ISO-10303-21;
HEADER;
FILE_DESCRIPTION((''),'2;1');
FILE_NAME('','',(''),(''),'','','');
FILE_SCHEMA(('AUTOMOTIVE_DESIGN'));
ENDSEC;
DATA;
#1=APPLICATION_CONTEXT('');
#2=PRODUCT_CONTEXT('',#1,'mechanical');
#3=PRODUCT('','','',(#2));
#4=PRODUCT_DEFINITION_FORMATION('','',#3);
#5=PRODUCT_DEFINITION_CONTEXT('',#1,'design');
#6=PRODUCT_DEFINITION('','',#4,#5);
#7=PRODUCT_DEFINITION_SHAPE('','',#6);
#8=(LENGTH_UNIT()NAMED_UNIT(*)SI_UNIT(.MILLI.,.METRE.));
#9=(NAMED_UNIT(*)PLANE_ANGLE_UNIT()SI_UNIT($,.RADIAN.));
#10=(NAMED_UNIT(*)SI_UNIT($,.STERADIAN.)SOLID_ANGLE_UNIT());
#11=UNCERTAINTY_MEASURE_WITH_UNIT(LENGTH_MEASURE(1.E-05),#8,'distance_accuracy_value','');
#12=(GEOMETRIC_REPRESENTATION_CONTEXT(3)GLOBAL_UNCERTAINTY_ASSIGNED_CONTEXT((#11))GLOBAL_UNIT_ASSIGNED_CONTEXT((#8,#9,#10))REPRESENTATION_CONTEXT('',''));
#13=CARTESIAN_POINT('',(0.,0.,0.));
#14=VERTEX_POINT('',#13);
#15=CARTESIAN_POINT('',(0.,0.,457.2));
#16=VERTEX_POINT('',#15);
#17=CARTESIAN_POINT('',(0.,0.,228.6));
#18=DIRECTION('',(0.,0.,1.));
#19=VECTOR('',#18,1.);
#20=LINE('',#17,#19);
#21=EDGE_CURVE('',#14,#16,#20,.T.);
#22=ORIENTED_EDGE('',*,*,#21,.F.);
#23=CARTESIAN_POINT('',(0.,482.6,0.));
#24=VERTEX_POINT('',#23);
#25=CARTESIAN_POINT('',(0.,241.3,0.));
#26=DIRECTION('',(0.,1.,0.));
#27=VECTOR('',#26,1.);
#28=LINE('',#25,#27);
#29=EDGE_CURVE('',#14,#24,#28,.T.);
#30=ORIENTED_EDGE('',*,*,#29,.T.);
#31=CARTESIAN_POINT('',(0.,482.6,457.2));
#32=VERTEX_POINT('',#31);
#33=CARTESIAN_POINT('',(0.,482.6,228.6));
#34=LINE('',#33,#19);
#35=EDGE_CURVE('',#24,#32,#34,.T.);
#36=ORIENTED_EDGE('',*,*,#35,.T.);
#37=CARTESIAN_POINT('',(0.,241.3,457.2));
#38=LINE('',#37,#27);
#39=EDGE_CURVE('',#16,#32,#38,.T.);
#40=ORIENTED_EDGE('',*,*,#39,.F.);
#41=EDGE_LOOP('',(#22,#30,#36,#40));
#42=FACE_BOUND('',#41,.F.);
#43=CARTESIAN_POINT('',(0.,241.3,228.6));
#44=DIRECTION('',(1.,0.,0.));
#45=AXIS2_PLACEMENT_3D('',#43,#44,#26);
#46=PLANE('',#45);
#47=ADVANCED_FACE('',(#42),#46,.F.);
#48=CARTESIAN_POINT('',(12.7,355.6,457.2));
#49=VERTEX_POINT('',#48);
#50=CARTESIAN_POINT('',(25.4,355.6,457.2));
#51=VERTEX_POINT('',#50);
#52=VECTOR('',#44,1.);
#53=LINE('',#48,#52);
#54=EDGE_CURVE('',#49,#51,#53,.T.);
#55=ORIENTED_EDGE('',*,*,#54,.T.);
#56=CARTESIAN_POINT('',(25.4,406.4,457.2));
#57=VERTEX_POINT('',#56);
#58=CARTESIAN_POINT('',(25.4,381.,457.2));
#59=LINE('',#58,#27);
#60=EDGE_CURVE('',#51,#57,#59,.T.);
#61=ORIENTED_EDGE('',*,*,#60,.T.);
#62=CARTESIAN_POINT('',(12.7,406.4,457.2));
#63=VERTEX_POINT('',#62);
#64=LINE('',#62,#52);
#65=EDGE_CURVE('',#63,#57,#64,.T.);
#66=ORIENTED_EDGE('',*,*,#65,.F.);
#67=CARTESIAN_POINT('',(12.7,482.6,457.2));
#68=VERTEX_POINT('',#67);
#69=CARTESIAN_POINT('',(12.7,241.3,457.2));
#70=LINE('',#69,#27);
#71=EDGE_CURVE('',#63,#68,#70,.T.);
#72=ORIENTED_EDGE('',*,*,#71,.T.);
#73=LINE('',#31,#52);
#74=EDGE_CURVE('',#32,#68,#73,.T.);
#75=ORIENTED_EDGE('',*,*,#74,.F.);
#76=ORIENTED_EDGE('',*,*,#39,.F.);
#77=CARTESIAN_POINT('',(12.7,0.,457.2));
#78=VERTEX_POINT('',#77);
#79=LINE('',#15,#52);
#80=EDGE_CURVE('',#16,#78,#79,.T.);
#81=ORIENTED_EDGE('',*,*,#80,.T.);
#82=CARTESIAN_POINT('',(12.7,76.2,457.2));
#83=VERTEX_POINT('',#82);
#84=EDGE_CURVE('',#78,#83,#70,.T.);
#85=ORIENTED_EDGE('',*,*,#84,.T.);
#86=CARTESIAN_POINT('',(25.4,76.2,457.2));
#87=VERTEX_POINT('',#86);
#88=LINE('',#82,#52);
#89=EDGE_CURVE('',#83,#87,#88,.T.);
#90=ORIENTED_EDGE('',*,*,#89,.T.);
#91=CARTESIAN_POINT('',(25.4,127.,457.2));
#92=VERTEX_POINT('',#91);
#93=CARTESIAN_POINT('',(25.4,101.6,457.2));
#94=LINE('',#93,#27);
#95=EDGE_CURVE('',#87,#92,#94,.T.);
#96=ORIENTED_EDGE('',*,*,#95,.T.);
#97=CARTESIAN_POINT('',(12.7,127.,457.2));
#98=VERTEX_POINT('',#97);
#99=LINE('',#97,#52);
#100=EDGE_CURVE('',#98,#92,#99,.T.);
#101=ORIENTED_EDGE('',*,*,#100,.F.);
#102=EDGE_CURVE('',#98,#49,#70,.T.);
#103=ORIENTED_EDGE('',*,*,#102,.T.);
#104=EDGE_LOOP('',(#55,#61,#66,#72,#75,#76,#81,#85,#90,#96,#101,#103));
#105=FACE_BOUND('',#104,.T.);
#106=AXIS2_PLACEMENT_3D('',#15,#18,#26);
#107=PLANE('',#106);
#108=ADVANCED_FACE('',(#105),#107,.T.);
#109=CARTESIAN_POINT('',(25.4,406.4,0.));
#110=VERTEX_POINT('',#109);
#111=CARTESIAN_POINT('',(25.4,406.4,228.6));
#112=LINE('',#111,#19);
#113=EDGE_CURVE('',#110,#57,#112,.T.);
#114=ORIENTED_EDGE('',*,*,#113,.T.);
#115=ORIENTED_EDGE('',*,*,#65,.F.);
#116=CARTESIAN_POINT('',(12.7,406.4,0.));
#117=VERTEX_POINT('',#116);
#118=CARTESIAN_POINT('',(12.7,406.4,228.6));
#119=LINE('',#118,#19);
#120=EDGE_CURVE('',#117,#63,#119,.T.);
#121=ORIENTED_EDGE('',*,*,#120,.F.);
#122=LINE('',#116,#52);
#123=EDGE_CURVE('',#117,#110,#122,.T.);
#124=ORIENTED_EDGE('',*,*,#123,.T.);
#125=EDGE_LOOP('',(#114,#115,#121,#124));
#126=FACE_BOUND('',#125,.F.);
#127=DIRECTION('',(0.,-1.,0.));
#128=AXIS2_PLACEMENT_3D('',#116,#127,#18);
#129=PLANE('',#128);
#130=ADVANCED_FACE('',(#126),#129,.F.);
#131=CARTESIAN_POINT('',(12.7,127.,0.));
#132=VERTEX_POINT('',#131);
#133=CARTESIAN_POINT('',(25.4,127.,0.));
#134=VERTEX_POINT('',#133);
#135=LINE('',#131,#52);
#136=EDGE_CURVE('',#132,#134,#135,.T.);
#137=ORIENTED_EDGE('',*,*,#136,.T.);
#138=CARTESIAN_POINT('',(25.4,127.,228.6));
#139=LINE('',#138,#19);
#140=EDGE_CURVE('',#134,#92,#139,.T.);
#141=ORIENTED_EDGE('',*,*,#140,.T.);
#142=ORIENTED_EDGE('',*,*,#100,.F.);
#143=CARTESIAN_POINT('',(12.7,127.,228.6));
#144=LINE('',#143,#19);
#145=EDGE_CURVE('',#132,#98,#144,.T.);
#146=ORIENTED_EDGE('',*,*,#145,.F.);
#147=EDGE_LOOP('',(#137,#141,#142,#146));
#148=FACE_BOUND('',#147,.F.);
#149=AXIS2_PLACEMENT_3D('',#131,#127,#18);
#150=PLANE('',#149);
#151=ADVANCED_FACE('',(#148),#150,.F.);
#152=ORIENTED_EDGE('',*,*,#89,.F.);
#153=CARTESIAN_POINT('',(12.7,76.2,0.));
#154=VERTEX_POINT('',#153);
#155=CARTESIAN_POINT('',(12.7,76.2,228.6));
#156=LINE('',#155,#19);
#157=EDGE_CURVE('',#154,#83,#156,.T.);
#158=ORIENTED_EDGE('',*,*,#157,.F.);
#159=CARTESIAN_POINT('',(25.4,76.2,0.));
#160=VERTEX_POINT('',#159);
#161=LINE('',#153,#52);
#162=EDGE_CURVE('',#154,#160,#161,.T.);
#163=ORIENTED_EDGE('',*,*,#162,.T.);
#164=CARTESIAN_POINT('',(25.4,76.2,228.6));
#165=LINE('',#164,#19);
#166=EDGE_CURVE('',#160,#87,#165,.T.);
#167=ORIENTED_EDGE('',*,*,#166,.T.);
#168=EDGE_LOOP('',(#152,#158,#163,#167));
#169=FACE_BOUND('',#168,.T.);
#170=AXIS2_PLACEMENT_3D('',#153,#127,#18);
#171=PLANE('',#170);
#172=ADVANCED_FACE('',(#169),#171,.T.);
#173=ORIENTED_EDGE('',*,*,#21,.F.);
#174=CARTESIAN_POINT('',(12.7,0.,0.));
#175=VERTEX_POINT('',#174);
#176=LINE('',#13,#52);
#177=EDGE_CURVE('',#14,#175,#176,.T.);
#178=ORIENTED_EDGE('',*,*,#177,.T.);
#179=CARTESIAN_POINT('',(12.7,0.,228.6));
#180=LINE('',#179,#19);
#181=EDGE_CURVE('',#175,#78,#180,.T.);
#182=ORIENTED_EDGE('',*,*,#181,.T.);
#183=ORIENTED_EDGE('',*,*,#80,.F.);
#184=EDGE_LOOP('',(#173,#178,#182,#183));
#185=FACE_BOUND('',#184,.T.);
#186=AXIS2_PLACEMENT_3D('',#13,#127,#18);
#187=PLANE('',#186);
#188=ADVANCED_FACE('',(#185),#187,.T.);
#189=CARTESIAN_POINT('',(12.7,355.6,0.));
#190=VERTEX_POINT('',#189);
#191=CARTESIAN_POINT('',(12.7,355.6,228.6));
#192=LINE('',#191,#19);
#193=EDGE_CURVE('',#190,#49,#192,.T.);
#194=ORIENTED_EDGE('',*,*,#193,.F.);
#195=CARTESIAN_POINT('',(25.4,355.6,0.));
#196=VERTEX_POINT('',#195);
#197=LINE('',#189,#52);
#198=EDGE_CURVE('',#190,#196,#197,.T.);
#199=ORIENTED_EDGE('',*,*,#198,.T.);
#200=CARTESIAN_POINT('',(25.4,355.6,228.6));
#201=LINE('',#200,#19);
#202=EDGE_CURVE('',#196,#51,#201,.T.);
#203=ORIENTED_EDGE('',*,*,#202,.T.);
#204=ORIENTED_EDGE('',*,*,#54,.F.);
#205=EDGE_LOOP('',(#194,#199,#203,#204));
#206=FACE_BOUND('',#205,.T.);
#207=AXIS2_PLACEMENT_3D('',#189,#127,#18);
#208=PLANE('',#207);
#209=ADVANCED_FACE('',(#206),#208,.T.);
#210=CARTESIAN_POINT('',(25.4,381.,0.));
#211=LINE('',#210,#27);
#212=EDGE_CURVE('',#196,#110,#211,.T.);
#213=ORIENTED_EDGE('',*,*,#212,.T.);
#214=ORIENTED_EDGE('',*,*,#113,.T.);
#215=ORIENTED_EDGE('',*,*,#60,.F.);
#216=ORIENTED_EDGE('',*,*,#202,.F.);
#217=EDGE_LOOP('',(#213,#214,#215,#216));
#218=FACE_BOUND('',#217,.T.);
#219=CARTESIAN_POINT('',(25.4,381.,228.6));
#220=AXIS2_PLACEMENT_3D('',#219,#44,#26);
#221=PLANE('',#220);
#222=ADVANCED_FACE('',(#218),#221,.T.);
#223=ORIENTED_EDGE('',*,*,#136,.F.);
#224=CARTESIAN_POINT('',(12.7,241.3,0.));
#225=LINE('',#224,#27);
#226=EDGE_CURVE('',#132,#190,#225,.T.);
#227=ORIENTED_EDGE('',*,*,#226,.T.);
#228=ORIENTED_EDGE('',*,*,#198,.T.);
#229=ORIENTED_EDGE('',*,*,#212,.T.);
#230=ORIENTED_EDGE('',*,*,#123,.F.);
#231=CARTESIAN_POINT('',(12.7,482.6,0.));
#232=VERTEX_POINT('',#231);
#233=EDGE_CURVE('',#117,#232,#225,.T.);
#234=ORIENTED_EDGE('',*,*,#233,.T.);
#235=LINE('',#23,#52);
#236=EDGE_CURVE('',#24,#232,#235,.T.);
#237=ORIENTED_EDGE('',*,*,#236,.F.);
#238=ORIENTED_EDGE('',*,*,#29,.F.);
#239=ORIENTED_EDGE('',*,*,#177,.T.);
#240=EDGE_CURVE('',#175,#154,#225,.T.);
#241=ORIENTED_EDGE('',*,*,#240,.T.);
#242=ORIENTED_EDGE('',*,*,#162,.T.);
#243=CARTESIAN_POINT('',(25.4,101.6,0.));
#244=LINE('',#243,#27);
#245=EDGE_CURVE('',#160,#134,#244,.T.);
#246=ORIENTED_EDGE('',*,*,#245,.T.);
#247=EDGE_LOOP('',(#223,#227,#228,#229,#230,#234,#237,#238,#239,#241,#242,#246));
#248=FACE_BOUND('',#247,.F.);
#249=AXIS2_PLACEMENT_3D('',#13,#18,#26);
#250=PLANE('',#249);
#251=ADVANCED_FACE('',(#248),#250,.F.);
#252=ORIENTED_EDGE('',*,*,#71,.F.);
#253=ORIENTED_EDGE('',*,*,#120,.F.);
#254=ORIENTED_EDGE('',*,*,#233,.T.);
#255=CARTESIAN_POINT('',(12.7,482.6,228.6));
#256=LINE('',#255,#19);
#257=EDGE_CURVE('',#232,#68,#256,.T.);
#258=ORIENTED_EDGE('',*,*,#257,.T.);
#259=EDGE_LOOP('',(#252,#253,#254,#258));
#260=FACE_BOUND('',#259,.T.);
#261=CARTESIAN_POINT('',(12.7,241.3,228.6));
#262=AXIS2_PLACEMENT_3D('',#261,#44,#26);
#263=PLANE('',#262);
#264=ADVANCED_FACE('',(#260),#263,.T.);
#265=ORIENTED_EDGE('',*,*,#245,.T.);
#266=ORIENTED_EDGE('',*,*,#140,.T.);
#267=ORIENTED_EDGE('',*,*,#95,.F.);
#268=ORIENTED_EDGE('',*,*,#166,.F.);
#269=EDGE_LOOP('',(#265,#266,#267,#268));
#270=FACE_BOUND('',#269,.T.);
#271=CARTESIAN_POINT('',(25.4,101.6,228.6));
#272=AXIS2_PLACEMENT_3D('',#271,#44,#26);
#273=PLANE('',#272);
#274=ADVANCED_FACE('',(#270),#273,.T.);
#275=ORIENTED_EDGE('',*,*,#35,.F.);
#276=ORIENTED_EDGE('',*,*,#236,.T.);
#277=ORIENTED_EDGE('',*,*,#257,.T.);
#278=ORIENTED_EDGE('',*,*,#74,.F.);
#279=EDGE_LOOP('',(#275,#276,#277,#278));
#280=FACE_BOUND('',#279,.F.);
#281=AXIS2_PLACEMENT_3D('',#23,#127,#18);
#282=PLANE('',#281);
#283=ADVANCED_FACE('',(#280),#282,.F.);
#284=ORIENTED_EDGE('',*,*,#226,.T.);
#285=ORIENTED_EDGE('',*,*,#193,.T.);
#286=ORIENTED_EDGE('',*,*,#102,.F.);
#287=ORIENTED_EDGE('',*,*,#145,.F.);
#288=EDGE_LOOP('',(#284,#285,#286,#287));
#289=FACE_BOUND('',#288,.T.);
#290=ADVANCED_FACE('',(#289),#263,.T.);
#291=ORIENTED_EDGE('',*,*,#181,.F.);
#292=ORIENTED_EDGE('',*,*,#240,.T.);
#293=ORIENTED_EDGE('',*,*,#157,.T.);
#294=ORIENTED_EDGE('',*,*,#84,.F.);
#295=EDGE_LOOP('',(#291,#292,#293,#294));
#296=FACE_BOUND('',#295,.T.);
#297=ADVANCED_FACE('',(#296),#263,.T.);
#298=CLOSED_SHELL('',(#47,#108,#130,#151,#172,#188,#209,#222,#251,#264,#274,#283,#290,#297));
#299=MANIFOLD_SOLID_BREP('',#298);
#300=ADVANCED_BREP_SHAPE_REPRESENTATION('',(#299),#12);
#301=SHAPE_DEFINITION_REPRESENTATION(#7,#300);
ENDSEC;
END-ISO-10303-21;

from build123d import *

# Parameters (mm, degrees)
F0_W     = 482.6
F0_H     = 457.2
F1_DEPTH = 12.7
F2_W     = 50.8
F2_H     = 457.2
F3_DEPTH = 12.7


with BuildPart() as f1:
    # F0 (on Right) → F1 (new body)
    with BuildSketch(Plane.YZ):
        with Locations((241.3, 228.6)):
            Rectangle(F0_W, F0_H)
    extrude(amount=F1_DEPTH)

    # F2 (on face) → F3 (join)
    with BuildSketch(Plane.YZ.offset(12.7)):
        with Locations((101.6, 228.6)):
            Rectangle(F2_W, F2_H)
        with Locations((381, 228.6)):
            Rectangle(F2_W, F2_H)
    extrude(amount=F3_DEPTH)


solid = f1.part
